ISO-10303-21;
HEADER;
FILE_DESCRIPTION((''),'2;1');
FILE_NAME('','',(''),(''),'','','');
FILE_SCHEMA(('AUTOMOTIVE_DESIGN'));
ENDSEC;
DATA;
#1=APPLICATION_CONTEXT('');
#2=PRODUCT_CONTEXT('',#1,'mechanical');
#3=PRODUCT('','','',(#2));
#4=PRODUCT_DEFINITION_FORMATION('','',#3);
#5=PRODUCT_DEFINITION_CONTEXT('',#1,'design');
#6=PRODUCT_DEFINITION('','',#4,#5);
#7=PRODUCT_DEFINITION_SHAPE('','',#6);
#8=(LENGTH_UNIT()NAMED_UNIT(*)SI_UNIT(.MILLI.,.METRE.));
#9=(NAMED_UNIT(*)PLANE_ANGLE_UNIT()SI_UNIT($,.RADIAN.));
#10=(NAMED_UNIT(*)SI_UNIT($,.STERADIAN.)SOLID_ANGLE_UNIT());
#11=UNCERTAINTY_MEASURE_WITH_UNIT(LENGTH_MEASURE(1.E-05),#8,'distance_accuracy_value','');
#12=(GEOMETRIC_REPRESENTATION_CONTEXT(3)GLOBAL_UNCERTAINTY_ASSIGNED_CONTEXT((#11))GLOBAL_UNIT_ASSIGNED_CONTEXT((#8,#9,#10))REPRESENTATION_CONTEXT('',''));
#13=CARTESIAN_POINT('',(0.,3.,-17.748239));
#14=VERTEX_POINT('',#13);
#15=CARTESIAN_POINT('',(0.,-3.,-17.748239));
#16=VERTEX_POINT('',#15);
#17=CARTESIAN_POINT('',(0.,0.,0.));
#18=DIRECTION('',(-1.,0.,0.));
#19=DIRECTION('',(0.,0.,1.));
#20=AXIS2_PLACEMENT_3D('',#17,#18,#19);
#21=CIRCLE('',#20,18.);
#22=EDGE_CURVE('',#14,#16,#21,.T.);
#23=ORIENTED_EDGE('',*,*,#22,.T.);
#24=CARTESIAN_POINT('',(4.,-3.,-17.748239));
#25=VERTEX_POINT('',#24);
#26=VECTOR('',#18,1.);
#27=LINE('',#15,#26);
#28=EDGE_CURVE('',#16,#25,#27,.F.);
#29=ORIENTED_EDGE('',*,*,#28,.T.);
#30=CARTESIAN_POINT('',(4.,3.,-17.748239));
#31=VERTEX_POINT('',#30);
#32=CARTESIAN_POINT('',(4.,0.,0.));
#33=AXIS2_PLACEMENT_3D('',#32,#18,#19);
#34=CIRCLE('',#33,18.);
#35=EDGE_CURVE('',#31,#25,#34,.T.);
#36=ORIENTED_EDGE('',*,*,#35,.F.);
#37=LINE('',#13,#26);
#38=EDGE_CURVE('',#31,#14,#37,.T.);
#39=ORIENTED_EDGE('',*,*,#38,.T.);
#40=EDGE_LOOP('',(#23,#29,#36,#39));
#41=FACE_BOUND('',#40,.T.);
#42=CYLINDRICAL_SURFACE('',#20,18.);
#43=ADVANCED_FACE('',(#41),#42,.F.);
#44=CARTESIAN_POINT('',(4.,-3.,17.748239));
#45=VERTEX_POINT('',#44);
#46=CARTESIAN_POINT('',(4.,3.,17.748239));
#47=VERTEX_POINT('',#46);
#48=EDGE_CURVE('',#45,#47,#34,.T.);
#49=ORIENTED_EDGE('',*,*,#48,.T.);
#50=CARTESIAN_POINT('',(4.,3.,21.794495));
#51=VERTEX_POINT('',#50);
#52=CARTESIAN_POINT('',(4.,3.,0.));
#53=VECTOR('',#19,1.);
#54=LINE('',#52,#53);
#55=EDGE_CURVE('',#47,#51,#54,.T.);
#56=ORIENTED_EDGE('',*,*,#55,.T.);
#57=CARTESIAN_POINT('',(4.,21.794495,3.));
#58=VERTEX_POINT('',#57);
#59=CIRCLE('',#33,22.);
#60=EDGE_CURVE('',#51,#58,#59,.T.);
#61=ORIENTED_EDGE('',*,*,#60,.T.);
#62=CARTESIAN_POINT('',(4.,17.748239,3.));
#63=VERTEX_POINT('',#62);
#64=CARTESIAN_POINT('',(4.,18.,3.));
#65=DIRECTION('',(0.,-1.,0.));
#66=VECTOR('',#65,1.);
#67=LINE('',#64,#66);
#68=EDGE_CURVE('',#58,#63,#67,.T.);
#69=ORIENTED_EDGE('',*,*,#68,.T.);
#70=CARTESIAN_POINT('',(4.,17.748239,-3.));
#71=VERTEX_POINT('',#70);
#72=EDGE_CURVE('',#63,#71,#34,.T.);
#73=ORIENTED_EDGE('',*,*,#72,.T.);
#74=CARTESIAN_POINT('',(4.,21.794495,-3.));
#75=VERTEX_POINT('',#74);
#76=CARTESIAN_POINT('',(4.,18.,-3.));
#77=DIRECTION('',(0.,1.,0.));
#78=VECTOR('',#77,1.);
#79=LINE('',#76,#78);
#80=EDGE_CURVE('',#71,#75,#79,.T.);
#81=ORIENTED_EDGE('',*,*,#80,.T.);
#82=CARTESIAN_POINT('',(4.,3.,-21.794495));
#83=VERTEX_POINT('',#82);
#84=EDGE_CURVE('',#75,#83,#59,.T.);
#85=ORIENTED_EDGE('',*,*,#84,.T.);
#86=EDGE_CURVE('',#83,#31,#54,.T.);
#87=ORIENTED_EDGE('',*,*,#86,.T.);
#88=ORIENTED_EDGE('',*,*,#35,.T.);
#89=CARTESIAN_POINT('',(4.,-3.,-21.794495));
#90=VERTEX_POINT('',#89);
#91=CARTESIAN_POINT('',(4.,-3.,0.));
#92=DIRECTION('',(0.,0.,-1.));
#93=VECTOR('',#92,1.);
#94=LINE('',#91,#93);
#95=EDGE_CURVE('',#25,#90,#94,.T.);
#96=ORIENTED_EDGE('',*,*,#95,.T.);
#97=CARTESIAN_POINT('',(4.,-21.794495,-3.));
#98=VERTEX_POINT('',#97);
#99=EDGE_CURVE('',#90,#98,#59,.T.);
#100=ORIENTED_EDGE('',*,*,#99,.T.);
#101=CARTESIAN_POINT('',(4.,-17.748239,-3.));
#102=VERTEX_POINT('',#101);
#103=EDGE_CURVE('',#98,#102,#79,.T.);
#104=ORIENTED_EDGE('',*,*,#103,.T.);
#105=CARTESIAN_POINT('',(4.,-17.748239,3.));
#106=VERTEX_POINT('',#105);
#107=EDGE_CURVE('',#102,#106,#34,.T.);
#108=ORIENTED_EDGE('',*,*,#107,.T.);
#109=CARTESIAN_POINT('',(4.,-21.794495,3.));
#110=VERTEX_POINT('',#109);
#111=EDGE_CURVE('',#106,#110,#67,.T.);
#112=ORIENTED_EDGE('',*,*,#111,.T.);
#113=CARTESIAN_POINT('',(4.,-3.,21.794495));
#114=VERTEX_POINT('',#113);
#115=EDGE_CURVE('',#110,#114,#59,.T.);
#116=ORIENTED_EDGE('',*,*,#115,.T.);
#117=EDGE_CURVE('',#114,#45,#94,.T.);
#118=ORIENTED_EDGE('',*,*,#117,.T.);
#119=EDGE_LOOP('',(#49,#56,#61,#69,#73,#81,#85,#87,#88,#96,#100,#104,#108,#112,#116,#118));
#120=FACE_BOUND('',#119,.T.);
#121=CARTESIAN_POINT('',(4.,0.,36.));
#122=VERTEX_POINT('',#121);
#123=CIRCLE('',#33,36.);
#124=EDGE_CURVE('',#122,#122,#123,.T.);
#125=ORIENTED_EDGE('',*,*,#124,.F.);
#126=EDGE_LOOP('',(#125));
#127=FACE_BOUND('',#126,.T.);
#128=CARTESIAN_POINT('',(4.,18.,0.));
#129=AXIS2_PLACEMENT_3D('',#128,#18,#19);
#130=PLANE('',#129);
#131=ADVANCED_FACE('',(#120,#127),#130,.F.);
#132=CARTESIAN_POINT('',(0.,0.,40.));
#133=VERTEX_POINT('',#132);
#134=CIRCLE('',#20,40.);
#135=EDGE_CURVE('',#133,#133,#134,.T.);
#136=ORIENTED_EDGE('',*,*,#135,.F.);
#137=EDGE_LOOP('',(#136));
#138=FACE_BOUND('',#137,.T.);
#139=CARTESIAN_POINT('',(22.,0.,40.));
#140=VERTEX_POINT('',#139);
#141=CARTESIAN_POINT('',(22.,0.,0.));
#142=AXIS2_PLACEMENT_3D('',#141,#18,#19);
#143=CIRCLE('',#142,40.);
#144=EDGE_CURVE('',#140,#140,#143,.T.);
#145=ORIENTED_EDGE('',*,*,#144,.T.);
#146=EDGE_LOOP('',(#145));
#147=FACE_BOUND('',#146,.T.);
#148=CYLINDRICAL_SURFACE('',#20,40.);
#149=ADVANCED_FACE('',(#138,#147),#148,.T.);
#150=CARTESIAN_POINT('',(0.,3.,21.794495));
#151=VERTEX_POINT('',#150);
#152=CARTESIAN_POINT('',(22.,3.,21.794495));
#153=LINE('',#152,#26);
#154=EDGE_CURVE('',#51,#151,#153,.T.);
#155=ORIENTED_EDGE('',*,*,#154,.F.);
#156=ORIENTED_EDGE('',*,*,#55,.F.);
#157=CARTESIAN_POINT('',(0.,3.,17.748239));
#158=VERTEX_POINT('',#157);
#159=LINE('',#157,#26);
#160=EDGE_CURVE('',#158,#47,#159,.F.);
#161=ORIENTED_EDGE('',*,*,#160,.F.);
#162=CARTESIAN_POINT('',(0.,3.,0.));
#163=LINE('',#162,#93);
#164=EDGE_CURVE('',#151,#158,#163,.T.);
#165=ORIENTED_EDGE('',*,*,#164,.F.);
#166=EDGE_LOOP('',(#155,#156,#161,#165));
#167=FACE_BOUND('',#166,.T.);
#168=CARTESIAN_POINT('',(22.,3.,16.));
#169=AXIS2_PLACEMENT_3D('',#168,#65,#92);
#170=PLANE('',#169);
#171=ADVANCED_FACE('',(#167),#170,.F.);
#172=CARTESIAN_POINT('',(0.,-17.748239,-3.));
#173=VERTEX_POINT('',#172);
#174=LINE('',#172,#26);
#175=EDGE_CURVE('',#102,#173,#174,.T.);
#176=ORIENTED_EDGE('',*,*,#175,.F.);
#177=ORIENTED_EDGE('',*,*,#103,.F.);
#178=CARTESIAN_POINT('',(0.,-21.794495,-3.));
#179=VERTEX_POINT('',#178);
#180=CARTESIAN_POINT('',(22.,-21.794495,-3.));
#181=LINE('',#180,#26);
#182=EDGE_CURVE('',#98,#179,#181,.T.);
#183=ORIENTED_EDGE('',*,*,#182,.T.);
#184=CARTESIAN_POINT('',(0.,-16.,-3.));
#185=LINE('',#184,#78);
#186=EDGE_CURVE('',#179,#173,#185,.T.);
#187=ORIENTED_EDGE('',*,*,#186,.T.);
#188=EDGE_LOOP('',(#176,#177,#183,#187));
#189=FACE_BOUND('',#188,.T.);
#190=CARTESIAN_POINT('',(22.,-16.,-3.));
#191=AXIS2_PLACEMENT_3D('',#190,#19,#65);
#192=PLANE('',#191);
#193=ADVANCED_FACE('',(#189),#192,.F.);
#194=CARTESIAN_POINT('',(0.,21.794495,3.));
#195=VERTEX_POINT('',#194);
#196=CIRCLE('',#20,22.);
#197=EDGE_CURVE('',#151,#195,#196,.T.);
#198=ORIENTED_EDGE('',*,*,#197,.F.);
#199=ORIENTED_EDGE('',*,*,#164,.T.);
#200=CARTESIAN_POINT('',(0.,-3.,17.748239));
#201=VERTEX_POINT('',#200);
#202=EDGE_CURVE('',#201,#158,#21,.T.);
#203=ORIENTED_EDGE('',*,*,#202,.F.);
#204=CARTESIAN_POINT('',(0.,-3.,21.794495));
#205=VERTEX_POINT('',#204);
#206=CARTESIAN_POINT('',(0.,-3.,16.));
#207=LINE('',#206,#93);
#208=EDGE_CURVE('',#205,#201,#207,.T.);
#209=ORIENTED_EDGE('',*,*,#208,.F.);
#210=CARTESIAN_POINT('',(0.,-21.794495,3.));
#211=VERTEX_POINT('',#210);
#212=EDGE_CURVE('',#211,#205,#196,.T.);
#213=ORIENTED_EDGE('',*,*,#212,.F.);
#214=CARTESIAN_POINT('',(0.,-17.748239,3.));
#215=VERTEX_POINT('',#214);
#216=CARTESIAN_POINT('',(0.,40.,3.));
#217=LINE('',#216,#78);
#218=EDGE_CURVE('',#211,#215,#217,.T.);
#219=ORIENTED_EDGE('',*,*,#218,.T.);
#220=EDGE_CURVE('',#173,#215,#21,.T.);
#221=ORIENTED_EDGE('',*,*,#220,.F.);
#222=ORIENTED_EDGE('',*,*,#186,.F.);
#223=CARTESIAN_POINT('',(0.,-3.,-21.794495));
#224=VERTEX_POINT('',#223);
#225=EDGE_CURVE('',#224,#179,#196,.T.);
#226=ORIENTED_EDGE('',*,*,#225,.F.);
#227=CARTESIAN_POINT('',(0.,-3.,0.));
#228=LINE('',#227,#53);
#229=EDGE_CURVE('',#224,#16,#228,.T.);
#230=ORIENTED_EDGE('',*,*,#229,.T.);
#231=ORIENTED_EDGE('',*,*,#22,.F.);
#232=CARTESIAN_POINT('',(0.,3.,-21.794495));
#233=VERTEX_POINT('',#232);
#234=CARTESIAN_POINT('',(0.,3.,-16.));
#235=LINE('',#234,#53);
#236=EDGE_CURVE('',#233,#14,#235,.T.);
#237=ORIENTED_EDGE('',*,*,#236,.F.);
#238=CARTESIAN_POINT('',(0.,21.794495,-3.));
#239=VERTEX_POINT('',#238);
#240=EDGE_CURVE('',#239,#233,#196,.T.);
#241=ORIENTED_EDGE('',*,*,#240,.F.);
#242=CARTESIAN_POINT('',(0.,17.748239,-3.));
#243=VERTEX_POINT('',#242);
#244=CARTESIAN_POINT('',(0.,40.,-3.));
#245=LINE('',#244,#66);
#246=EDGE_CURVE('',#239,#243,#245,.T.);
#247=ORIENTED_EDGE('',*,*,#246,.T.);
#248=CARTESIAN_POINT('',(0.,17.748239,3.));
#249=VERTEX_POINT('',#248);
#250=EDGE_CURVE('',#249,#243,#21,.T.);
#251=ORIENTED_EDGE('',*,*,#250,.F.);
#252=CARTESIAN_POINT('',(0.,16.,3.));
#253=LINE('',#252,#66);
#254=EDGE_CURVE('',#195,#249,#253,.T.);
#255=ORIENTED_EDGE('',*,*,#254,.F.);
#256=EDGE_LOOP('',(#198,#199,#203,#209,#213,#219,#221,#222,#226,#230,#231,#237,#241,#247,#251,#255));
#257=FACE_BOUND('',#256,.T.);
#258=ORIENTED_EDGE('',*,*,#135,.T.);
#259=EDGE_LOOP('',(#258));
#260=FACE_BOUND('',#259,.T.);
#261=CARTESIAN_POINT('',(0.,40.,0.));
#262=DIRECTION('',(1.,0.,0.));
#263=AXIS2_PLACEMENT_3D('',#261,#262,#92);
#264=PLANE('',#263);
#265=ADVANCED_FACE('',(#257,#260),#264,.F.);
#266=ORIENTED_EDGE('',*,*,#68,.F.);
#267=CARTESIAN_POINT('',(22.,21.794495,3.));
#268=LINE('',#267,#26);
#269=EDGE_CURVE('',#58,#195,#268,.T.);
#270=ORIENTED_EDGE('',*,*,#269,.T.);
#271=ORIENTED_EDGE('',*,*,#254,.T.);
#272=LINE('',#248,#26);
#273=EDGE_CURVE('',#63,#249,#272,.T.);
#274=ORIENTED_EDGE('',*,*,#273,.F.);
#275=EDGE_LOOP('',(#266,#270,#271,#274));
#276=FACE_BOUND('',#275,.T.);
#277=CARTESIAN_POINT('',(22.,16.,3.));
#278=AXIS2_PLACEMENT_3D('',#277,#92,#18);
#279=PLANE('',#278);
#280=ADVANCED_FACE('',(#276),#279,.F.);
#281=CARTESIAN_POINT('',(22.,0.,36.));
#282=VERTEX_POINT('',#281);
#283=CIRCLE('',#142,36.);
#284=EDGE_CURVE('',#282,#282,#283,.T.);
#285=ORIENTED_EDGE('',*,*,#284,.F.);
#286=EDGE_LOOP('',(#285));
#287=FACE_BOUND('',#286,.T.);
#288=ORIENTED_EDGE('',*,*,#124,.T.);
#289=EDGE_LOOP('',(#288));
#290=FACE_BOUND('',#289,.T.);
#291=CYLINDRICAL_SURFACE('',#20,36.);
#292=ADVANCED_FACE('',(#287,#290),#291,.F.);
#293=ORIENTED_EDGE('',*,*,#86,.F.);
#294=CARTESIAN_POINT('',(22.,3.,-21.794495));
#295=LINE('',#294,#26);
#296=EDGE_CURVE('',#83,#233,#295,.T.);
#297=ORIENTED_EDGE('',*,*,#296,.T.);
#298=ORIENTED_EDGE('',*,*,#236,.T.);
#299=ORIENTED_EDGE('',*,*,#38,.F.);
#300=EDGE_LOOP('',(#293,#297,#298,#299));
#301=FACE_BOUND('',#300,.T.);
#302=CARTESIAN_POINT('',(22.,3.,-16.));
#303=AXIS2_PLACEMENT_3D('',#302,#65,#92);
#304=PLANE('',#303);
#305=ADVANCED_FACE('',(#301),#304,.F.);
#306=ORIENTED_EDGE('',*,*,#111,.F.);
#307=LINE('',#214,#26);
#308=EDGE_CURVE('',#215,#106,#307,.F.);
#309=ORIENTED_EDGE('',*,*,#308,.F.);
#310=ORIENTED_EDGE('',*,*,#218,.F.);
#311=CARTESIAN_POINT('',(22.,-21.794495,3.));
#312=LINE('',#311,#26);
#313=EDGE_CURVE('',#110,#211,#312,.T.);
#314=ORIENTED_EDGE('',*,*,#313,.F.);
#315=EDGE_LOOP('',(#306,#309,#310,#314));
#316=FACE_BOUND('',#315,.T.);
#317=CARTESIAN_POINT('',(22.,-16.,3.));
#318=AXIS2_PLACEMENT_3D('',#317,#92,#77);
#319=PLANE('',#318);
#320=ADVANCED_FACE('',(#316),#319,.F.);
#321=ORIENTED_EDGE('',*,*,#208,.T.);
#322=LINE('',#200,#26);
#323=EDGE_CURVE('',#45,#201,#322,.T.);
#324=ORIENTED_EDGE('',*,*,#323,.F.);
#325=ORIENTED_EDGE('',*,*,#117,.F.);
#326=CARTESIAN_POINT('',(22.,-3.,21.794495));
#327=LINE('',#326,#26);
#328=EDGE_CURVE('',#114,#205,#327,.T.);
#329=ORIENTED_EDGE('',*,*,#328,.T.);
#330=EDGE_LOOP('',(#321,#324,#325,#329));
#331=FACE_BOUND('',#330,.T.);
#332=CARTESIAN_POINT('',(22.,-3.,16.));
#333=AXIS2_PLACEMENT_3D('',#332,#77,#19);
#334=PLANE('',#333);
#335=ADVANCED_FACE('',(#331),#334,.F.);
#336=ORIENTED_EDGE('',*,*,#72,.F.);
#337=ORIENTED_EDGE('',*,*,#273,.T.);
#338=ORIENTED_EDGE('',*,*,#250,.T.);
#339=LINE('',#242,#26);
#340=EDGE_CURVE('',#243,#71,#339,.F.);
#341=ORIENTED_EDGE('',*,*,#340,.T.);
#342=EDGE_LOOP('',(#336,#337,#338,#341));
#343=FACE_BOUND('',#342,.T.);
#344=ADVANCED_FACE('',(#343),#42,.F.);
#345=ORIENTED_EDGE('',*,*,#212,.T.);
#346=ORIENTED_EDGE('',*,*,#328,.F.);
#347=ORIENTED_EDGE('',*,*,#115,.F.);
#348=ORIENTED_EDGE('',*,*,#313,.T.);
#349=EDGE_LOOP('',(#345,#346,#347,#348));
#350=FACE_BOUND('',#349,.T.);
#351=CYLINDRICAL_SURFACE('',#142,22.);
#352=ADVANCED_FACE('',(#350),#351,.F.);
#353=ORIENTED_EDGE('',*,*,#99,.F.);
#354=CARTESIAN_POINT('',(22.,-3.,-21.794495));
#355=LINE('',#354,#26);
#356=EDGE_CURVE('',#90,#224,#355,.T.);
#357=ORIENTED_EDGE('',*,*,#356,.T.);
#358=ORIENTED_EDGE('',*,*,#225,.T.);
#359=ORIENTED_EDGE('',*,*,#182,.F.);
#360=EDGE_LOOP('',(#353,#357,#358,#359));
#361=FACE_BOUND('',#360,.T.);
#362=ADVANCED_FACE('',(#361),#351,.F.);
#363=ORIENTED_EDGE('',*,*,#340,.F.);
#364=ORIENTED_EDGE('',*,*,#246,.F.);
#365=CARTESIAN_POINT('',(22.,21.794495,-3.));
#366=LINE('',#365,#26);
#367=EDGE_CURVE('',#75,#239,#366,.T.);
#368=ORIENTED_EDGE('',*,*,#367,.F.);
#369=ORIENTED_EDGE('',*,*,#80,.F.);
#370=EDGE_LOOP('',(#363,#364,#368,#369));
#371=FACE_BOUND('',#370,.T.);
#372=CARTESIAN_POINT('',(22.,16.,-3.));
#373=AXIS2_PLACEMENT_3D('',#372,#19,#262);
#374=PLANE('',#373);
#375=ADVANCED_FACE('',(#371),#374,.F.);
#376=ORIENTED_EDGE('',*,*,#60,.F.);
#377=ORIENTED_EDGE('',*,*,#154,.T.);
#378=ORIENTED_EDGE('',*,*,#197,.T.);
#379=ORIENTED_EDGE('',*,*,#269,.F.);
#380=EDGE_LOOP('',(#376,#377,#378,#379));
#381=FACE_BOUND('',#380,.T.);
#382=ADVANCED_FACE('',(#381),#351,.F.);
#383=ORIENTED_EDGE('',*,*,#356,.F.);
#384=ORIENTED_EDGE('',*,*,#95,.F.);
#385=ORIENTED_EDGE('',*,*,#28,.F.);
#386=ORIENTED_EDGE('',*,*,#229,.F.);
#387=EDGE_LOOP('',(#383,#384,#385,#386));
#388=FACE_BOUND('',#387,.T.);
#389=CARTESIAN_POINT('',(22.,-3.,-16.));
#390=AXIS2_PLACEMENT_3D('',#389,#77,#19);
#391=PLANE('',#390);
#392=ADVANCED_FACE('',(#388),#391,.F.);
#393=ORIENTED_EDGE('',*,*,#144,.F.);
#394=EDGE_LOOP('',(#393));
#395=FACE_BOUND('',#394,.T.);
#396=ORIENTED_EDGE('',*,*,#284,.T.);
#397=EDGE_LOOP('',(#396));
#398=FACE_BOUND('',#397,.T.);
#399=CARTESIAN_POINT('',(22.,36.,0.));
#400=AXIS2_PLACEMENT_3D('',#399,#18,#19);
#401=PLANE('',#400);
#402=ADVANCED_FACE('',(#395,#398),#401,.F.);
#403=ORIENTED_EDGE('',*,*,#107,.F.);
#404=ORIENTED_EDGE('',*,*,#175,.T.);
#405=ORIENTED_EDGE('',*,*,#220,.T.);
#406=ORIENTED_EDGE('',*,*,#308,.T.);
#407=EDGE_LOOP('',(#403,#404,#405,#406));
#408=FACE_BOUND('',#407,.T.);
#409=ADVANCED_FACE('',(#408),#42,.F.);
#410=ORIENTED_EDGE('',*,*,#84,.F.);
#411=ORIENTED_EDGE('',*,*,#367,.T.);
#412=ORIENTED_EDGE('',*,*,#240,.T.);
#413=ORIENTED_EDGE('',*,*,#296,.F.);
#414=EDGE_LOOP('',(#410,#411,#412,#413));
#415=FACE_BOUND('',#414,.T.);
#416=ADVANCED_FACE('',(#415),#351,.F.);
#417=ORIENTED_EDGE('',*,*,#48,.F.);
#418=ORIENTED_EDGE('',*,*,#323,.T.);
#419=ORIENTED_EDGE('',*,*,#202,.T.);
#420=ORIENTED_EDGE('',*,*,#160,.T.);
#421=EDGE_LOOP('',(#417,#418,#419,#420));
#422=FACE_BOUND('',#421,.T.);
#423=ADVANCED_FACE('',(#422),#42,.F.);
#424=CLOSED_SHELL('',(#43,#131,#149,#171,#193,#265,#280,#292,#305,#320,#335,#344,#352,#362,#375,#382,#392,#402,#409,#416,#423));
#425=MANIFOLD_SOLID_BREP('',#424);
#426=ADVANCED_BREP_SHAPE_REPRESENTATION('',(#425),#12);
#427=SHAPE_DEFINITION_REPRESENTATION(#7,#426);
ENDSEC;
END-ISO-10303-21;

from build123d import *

# Parameters (mm, degrees)
ENL_V_MAT_EXTRU_1_DEPTH = 61.695963622


with BuildPart() as part:
    # Esquisse1 → Base-Révolution (revolve)
    with BuildSketch(Plane.XY, mode=Mode.PRIVATE) as base_r_volution_sk:
        Polygon((0, 40), (0, 18), (4, 18), (4, 36), (22, 36), (22, 40), align=None)
    revolve(base_r_volution_sk.sketch.rotate(Axis((0, 0, 0), (1, 0, 0)), 90), axis=Axis((0, 0, 0), (1, 0, 0)))

    # Esquisse2 → Enlèv. mat.-Extru.1 (cut, through all)
    with BuildSketch(Plane.ZY):
        with BuildLine():
            Line((-3, 16), (-3, 21.794494718))
            ThreePointArc((-3, 21.794494718), (-15.556349186, 15.556349186), (-21.794494718, 3))
            Line((-21.794494718, 3), (-16, 3))
            Line((-16, 3), (-16, -3))
            Line((-16, -3), (-21.794494718, -3))
            ThreePointArc((-21.794494718, -3), (-15.556349186, -15.556349186), (-3, -21.794494718))
            Line((-3, -21.794494718), (-3, -16))
            Line((-3, -16), (3, -16))
            Line((3, -16), (3, -21.794494718))
            ThreePointArc((3, -21.794494718), (15.556349186, -15.556349186), (21.794494718, -3))
            Line((21.794494718, -3), (16, -3))
            Line((16, -3), (16, 3))
            Line((16, 3), (21.794494718, 3))
            ThreePointArc((21.794494718, 3), (15.556349186, 15.556349186), (3, 21.794494718))
            Line((3, 21.794494718), (3, 16))
            Line((3, 16), (-3, 16))
        make_face()
    extrude(amount=-ENL_V_MAT_EXTRU_1_DEPTH, mode=Mode.SUBTRACT)


solid = part.part
